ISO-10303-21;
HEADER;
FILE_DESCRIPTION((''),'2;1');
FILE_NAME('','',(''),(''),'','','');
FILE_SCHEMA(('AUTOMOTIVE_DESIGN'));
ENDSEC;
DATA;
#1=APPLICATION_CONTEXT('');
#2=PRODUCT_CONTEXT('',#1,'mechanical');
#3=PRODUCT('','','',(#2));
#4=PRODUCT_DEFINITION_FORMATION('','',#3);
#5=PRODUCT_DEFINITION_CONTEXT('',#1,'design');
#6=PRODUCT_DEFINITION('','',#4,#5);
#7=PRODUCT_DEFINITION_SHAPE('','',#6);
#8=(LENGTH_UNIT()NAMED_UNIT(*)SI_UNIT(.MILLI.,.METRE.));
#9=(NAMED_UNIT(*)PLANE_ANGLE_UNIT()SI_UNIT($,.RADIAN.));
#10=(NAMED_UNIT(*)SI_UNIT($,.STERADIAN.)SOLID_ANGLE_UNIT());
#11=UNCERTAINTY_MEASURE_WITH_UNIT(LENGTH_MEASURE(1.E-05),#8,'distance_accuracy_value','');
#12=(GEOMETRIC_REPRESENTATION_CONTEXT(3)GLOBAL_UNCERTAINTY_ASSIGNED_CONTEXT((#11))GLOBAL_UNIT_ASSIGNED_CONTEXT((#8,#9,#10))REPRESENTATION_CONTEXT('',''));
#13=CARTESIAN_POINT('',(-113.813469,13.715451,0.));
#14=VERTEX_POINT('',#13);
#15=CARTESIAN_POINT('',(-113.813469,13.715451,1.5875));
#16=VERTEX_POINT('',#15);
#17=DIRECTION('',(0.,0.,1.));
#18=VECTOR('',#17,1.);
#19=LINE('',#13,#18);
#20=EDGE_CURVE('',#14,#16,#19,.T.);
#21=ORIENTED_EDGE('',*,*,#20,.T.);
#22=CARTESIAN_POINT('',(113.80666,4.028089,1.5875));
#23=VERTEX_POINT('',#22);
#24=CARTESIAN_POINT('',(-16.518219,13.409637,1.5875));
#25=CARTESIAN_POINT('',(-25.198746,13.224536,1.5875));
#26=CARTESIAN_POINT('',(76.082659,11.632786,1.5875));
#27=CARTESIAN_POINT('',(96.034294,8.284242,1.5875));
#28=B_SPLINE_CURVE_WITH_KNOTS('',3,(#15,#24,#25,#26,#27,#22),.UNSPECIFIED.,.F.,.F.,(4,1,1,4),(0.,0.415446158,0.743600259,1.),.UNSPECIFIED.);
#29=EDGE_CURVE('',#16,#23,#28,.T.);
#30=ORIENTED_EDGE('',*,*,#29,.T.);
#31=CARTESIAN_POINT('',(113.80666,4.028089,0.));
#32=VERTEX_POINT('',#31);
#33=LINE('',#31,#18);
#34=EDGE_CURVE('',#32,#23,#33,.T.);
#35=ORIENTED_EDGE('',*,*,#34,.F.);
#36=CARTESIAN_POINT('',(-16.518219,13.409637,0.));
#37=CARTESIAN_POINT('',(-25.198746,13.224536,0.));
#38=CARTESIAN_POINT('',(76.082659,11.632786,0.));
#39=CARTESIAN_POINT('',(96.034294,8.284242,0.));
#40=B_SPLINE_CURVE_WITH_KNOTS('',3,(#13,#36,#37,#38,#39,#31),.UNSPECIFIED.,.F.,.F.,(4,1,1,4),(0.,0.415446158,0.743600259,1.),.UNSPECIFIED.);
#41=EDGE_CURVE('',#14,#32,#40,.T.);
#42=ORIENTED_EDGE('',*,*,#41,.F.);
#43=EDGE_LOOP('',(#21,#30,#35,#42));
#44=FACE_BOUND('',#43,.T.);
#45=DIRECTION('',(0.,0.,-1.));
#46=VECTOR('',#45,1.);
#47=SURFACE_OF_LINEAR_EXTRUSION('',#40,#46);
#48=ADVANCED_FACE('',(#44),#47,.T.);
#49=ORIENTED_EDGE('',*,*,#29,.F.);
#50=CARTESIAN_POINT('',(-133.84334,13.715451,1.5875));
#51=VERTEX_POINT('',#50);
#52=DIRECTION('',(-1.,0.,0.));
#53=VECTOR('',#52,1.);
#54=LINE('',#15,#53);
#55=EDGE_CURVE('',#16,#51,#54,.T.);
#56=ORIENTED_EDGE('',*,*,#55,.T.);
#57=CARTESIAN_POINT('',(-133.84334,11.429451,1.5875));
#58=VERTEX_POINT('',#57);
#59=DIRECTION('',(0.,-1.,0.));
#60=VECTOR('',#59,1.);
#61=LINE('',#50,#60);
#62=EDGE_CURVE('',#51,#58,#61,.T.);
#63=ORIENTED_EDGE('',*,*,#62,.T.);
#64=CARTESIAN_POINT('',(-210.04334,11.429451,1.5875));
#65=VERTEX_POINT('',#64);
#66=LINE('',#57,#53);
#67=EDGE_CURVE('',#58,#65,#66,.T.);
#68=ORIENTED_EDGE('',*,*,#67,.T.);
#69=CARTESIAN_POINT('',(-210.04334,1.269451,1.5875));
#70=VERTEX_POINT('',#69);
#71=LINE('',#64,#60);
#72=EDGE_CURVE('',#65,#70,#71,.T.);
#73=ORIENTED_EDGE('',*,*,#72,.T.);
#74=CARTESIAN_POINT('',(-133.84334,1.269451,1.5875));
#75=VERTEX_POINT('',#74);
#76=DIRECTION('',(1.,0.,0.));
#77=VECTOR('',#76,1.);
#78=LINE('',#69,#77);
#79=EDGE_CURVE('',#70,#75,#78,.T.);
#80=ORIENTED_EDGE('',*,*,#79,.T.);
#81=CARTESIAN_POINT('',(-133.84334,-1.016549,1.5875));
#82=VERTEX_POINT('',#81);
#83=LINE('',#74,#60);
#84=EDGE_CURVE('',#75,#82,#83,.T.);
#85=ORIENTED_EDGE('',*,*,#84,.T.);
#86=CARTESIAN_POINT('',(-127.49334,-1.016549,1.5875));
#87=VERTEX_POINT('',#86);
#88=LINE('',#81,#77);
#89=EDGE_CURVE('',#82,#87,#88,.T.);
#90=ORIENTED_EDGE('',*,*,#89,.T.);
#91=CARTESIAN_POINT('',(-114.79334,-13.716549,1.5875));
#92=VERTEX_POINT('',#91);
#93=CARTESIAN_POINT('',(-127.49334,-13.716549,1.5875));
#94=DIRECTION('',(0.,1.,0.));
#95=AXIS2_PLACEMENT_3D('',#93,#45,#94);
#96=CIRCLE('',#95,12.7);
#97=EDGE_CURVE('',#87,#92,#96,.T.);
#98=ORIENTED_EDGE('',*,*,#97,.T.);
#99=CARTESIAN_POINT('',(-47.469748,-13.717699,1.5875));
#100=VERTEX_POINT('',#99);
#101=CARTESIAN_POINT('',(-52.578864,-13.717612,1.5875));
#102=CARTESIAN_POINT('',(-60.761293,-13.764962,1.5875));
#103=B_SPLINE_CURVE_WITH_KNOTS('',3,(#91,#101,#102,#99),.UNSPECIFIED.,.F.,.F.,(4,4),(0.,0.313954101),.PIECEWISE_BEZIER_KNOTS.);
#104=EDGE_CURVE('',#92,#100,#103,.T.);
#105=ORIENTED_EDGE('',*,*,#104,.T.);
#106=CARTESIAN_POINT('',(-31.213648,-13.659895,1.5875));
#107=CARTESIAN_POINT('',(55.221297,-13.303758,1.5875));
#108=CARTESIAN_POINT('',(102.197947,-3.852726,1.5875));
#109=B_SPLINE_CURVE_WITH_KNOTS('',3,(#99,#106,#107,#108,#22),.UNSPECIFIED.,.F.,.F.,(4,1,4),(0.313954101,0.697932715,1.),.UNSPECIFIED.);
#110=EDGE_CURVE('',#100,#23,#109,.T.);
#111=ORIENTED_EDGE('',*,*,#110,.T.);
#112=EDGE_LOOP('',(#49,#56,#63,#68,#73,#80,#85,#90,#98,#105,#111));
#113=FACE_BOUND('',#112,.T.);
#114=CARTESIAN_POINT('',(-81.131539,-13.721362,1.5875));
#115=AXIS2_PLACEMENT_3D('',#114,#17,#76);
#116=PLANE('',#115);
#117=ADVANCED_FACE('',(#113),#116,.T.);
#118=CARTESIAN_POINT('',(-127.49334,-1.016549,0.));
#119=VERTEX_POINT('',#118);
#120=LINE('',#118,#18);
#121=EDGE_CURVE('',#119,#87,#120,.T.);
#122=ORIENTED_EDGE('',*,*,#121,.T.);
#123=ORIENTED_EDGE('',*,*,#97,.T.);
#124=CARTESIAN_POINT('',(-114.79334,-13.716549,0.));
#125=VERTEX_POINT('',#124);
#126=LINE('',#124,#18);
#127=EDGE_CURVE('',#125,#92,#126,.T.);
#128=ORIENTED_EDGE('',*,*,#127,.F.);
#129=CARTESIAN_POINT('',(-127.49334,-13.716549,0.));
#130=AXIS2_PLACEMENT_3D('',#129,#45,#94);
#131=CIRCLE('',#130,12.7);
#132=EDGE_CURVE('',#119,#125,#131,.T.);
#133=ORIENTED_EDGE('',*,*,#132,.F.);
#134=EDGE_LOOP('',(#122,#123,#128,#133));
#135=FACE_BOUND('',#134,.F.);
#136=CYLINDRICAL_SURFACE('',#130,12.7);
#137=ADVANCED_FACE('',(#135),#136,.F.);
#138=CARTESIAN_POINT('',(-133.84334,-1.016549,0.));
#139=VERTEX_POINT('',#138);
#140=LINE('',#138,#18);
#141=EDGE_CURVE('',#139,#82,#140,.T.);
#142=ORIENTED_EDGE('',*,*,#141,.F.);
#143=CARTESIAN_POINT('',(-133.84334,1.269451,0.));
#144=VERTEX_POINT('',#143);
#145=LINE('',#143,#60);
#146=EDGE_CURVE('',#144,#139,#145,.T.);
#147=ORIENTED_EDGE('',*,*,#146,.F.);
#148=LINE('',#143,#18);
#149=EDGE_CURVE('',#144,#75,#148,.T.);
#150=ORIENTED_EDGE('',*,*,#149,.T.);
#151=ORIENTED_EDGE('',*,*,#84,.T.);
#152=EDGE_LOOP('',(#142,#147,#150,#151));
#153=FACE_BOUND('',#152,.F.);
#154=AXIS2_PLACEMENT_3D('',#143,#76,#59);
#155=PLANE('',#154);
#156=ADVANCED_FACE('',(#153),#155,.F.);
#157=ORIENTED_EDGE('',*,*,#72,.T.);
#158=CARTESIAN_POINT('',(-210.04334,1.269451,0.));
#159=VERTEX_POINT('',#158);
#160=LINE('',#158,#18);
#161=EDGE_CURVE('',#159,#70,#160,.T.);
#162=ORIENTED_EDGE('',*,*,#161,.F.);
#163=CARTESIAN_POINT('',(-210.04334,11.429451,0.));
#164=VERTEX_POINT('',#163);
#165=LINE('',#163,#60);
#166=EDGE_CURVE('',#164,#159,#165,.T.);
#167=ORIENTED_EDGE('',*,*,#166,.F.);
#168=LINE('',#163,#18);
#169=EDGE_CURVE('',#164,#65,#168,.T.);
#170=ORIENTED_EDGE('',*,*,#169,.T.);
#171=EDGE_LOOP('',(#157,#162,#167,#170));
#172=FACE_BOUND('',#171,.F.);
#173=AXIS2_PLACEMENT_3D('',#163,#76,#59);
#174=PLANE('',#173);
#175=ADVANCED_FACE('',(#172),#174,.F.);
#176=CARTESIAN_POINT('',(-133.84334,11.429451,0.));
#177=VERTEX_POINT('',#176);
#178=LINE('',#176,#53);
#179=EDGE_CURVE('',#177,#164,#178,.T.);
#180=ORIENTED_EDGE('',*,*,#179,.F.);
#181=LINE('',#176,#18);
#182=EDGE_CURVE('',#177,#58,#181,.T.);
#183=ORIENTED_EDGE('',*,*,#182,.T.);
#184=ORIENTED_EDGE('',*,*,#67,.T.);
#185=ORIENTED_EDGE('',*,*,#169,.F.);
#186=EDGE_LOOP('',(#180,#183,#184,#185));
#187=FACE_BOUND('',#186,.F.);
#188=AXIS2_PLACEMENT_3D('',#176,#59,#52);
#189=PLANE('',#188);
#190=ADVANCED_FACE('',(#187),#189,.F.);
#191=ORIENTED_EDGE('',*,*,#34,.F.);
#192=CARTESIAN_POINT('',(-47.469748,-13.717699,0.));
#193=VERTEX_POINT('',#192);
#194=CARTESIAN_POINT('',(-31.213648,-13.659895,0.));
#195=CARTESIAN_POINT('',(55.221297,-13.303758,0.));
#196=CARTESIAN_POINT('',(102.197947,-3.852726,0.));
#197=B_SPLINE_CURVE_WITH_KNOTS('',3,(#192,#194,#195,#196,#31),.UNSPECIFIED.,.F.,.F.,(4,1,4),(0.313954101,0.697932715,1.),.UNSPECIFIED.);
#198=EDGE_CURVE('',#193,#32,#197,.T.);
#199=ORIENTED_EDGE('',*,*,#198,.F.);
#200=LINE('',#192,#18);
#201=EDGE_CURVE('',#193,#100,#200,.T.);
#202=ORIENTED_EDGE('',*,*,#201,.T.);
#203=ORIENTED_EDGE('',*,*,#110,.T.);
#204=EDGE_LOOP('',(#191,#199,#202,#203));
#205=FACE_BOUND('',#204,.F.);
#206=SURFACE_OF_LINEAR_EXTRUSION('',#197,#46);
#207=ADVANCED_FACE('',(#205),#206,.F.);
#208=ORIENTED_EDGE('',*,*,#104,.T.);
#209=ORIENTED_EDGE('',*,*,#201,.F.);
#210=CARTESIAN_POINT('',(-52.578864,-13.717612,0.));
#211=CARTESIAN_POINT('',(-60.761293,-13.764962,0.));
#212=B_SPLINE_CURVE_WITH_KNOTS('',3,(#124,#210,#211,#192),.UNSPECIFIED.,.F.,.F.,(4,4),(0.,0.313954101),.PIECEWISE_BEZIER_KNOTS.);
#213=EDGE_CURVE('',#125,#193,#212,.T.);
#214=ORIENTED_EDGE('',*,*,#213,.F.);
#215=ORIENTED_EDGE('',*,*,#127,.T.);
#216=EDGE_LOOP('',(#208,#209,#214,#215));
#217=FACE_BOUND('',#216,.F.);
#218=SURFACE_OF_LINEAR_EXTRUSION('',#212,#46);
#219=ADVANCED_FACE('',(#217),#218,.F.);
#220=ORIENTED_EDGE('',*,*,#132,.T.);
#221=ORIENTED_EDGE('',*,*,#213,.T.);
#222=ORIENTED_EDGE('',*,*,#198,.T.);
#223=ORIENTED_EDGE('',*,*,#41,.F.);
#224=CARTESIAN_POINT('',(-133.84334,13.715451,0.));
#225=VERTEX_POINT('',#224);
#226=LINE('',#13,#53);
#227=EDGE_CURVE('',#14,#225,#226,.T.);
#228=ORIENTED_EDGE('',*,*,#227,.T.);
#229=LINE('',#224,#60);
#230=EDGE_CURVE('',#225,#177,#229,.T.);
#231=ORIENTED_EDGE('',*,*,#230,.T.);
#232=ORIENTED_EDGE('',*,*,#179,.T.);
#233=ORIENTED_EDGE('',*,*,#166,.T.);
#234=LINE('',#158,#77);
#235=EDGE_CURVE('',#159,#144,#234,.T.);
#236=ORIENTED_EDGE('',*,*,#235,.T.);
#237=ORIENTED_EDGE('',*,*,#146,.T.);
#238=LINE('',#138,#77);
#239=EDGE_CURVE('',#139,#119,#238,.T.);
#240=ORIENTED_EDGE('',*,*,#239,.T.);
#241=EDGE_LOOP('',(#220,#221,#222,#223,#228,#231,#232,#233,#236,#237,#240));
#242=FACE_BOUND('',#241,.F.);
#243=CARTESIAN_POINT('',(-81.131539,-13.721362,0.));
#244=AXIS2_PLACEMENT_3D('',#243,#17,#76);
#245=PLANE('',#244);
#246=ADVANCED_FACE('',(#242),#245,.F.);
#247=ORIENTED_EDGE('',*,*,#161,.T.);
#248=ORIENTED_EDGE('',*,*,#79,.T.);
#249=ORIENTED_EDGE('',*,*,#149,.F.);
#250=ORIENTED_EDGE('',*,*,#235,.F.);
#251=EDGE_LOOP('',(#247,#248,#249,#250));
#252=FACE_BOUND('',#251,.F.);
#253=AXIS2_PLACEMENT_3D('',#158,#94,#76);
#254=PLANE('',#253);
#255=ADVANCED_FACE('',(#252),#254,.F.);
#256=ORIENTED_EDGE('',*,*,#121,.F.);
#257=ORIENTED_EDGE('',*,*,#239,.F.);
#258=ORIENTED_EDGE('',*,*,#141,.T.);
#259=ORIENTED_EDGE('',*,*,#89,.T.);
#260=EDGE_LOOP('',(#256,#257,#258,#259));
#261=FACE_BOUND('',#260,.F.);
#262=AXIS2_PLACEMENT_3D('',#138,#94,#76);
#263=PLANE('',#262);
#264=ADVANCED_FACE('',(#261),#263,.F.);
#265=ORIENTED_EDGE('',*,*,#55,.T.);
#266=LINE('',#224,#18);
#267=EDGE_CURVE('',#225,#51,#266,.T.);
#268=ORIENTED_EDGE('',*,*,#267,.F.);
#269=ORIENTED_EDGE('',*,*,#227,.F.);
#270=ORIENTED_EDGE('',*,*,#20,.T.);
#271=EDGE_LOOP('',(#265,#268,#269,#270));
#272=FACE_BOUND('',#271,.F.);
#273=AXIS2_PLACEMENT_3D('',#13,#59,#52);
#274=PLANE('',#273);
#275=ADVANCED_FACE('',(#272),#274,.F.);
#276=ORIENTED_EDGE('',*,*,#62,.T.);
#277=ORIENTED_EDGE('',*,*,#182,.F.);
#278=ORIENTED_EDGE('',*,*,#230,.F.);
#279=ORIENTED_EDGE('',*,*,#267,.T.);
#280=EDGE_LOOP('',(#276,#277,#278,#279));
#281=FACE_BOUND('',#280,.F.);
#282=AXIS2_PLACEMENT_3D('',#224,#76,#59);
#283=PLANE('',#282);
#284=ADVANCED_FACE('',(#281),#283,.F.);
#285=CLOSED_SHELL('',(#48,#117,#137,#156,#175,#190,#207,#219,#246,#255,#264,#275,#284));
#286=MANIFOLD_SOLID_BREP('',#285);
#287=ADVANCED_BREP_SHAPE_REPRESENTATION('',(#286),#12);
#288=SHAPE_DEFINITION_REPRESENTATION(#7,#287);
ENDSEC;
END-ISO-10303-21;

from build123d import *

# Parameters (mm, degrees)
F1_DEPTH = 1.5875


with BuildPart() as f1:
    # F0 (on Top) → F1 (new body)
    with BuildSketch(Plane.XY):
        with BuildLine():
            add(Edge.make_bspline(
                [(-114.7933404442, -13.7165485666), (-52.5788643197, -13.7176121355), (-60.7612932335, -13.7649623748), (-47.4697480252, -13.7176994769)],
                knots=[0, 0, 0, 0, 0.3139541006, 0.3139541006, 0.3139541006, 0.3139541006], degree=3))
            Line((-47.4697480245, -13.7176994769), (-114.7933404442, -13.7165485666))
        make_face()
        with BuildLine():
            Line((-114.7933404442, -13.7165485666), (-47.4697480245, -13.7176994769))
            add(Edge.make_bspline(
                [(-47.4697480252, -13.7176994769), (-31.2136484613, -13.6598950333), (55.2212973344, -13.3037576077), (102.1979471263, -3.8527257577), (113.8066595558, 4.0280892352)],
                knots=[0.3139541006, 0.3139541006, 0.3139541006, 0.3139541006, 0.6979327154, 1, 1, 1, 1], degree=3))
            add(Edge.make_bspline(
                [(-113.8134689446, 13.7154514334), (-16.5182186308, 13.409637043), (-25.1987455428, 13.2245364302), (76.0826591704, 11.6327858971), (96.0342944488, 8.2842421766), (113.8066595558, 4.0280892352)],
                knots=[0, 0, 0, 0, 0.4154461579, 0.7436002594, 1, 1, 1, 1], degree=3))
            Line((-113.8134689446, 13.7154514334), (-133.8433404442, 13.7154514334))
            Line((-133.8433404442, 13.7154514334), (-133.8433404442, 11.4294514334))
            Line((-133.8433404442, 11.4294514334), (-210.0433404442, 11.4294514334))
            Line((-210.0433404442, 11.4294514334), (-210.0433404442, 1.2694514334))
            Line((-210.0433404442, 1.2694514334), (-133.8433404442, 1.2694514334))
            Line((-133.8433404442, 1.2694514334), (-133.8433404442, -1.0165485666))
            Line((-133.8433404442, -1.0165485666), (-127.4933404442, -1.0165485666))
            ThreePointArc((-127.4933404442, -1.0165485666), (-118.5130843231, -4.7362924456), (-114.7933404442, -13.7165485666))
        make_face()
    extrude(amount=F1_DEPTH)


solid = f1.part
